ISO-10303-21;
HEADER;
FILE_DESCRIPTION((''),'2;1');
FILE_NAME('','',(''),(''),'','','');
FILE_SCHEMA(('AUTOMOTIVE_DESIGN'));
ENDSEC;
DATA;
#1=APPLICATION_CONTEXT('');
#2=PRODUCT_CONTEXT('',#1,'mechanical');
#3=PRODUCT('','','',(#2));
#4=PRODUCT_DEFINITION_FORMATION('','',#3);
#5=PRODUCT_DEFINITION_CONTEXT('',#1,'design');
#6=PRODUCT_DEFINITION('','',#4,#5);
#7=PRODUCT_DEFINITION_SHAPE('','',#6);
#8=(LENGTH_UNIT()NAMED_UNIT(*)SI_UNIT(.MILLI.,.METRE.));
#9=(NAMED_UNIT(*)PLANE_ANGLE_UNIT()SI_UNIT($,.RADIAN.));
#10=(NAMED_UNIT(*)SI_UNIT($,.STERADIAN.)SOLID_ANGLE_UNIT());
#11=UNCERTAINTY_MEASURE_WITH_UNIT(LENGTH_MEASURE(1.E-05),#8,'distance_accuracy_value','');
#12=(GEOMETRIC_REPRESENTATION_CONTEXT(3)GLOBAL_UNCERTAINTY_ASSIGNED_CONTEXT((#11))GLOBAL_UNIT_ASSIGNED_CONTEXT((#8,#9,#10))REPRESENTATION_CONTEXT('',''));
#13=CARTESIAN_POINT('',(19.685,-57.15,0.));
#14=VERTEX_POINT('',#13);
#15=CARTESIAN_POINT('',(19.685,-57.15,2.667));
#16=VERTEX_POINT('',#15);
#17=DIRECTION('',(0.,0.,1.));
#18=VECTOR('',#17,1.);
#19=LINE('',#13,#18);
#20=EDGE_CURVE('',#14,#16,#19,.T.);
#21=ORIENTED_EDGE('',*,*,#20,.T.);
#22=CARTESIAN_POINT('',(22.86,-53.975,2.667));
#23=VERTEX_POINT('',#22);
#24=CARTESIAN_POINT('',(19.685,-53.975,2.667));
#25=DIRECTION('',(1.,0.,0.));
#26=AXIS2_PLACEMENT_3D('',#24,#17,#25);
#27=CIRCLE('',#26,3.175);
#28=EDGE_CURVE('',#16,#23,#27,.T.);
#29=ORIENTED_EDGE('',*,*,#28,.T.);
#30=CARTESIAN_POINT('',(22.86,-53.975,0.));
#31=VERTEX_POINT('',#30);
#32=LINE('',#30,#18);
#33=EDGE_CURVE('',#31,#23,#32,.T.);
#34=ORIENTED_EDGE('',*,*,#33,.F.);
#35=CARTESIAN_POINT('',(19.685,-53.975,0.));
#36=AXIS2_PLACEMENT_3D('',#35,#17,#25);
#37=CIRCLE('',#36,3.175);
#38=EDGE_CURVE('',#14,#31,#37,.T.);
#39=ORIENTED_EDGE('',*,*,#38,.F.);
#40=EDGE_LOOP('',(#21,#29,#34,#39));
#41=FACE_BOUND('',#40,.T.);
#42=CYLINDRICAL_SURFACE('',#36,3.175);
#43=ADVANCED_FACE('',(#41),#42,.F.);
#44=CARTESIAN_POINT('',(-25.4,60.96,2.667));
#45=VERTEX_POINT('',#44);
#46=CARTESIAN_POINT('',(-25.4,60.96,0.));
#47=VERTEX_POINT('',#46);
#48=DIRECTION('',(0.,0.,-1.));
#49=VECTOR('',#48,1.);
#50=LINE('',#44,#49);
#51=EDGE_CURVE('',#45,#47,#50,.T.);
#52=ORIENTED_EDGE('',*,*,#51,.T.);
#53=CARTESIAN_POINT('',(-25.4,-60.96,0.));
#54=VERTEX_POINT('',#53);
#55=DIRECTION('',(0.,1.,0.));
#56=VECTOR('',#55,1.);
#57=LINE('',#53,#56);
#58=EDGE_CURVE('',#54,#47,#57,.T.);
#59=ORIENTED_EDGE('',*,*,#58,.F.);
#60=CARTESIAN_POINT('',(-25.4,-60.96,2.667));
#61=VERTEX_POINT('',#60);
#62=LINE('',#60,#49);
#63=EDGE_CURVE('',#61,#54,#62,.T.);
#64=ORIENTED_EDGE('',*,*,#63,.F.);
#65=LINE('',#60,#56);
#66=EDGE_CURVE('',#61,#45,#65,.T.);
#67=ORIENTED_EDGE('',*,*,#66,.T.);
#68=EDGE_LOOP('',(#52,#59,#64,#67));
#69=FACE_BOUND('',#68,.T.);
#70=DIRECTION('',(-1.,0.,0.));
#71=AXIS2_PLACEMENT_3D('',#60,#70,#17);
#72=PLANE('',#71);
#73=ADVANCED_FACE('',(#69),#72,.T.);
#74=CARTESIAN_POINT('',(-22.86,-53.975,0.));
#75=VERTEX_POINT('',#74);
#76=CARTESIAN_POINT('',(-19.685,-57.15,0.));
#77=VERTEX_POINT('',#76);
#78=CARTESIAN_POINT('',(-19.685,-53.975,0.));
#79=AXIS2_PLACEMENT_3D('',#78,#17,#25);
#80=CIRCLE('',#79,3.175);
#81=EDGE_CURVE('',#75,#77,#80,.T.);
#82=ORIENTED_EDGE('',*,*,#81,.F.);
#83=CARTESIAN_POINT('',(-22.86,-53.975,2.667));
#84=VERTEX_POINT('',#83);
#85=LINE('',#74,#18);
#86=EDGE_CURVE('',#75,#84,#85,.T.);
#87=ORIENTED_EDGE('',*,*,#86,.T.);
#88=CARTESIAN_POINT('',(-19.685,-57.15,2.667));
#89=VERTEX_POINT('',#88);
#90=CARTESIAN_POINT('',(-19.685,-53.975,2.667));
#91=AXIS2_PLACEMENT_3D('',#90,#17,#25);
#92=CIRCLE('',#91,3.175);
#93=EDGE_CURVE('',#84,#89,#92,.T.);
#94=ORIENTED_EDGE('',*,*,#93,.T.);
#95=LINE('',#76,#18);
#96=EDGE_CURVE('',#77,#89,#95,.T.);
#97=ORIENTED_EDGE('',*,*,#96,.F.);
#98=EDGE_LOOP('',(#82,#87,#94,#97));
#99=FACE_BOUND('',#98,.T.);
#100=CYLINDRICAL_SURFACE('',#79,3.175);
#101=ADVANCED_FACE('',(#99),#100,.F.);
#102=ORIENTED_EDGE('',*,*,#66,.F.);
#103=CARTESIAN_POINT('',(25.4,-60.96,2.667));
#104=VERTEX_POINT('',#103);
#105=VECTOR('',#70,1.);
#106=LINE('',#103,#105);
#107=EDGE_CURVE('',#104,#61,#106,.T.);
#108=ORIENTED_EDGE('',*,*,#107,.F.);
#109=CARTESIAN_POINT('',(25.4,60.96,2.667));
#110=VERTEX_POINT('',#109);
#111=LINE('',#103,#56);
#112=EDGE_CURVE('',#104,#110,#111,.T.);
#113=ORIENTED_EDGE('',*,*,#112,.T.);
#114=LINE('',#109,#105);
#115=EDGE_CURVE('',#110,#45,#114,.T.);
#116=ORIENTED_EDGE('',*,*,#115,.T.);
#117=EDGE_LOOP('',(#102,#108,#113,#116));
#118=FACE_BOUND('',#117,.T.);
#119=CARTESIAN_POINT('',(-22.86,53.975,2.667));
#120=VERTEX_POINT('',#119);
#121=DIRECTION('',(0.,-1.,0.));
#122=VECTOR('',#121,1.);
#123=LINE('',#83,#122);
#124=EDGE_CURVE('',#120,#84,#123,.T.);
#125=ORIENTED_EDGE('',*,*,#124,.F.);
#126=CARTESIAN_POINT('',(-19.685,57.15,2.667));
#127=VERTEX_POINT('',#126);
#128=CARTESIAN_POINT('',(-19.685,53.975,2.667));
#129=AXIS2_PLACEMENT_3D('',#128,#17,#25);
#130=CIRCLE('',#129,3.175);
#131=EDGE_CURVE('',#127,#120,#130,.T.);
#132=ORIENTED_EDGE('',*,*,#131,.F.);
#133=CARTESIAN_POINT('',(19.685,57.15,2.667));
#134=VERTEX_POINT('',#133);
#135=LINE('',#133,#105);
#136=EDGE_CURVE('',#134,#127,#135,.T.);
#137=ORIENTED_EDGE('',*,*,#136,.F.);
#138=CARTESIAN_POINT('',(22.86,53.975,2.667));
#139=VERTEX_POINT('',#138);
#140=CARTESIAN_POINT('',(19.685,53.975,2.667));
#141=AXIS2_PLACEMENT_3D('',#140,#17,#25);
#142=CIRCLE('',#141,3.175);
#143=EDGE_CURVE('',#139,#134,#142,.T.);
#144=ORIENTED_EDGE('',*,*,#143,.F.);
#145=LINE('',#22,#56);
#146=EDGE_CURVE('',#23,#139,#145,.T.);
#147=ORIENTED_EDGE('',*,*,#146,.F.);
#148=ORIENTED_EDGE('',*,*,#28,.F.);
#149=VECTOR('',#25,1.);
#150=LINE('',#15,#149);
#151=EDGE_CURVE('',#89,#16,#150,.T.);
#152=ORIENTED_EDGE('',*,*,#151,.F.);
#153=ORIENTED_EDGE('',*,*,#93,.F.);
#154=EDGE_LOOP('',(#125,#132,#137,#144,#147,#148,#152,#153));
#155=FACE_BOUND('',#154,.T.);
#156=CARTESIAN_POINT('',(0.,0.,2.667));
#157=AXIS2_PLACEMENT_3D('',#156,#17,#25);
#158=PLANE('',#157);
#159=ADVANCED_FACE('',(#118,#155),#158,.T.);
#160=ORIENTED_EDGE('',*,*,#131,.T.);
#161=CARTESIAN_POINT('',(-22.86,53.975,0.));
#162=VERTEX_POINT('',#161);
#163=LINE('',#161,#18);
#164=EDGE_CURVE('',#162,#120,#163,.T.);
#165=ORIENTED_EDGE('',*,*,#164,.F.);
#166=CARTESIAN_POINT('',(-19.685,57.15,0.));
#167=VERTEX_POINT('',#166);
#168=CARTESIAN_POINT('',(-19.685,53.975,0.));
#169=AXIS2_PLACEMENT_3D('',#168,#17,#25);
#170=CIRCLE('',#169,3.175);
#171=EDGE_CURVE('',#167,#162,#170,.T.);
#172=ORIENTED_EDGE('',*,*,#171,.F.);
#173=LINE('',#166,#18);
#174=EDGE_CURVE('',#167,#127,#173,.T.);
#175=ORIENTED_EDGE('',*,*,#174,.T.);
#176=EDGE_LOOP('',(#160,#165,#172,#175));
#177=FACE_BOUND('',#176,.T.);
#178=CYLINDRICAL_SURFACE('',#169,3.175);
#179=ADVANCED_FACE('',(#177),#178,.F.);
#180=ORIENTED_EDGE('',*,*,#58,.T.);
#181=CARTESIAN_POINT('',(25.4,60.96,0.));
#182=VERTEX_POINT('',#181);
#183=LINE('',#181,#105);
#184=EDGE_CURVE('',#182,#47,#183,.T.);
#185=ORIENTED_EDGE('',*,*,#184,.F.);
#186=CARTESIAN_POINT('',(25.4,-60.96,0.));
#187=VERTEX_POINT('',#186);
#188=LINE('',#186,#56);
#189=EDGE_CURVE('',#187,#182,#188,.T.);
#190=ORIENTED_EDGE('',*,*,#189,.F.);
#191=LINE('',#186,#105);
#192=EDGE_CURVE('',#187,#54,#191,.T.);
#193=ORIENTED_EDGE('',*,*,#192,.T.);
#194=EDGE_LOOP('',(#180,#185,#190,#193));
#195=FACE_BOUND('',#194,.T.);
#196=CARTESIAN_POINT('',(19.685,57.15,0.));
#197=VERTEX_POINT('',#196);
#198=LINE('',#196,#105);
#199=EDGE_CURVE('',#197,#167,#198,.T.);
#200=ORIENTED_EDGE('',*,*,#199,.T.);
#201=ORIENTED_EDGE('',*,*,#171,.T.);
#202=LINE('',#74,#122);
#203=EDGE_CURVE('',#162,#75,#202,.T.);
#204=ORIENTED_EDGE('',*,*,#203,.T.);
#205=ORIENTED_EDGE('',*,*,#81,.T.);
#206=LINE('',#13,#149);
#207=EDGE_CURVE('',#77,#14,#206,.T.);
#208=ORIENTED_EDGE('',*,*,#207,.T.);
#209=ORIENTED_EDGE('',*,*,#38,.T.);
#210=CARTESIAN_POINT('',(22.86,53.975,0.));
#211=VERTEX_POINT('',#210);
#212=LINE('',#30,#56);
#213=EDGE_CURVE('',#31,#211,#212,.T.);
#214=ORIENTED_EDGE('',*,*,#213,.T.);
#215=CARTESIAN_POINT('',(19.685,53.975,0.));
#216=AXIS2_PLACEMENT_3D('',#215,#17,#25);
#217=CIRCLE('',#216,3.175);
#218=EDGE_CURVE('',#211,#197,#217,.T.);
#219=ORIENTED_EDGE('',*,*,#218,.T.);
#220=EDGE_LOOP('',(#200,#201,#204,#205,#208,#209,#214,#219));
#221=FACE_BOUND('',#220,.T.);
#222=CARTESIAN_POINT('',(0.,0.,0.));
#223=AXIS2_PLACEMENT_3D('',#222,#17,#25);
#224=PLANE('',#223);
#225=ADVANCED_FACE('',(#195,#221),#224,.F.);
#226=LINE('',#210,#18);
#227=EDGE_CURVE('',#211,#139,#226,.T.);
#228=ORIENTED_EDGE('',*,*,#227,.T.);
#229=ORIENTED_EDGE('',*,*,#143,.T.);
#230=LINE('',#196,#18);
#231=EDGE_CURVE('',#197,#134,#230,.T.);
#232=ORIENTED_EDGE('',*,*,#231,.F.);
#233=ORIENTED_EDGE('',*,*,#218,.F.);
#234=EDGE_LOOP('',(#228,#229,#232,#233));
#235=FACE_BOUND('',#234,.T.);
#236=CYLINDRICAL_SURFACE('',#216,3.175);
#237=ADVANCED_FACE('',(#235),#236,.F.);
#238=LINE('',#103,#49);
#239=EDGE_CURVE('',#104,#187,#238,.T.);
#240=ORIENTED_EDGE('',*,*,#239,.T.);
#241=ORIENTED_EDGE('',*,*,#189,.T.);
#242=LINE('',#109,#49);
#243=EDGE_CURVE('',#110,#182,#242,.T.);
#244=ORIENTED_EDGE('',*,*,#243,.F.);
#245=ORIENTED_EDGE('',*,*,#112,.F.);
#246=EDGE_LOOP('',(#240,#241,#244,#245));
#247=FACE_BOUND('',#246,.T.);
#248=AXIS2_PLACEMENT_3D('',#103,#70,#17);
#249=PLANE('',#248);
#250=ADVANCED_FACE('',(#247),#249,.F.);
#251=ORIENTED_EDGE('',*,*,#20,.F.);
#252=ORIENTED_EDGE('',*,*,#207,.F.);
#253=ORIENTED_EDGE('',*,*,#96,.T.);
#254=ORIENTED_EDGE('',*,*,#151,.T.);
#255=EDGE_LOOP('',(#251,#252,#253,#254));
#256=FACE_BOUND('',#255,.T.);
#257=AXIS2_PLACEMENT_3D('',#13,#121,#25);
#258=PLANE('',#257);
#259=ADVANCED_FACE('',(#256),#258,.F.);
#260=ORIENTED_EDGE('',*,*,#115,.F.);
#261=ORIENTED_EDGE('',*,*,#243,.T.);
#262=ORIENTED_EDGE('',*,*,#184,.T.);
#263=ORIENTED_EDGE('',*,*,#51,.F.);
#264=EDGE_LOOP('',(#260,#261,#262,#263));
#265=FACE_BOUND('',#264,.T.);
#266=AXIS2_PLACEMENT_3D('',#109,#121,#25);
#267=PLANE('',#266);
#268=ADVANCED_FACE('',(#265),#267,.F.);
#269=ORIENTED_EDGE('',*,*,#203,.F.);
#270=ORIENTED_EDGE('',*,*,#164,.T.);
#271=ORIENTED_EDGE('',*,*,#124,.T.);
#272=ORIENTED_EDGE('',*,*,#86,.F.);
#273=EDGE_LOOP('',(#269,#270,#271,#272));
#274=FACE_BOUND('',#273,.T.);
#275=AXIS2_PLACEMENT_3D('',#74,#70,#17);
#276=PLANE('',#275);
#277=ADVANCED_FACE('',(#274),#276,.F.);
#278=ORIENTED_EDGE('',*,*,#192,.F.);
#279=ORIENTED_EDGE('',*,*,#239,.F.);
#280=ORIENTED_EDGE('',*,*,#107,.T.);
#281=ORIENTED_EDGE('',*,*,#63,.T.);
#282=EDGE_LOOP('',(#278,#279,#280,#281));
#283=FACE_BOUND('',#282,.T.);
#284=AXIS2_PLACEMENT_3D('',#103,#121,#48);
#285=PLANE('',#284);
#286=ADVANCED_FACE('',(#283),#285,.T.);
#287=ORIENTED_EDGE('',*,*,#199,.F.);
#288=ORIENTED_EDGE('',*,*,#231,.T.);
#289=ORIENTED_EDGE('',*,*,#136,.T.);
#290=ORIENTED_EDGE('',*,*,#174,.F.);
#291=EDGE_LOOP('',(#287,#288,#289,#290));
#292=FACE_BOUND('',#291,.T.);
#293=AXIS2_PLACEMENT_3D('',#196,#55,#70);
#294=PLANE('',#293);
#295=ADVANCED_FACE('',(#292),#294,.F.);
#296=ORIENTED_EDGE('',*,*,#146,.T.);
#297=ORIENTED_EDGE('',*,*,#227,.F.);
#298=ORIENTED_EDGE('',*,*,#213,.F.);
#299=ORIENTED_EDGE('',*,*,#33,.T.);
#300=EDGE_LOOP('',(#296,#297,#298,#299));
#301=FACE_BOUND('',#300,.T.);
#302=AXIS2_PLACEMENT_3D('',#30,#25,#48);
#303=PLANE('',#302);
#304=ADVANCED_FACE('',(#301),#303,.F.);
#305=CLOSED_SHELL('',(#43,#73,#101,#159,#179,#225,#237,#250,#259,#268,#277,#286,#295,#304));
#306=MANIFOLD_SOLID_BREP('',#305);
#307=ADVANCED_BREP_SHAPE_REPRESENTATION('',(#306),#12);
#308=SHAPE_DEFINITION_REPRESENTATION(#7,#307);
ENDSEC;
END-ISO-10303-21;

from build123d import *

# Parameters (mm, degrees)
SKETCH1_W           = 50.8
SKETCH1_H           = 121.92
BOSS_EXTRUDE1_DEPTH = 2.667
CUT_EXTRUDE1_DEPTH  = 67.093830945


with BuildPart() as part:
    # Sketch1 → Boss-Extrude1 (new body)
    with BuildSketch(Plane.XY):
        Rectangle(SKETCH1_W, SKETCH1_H)
    extrude(amount=BOSS_EXTRUDE1_DEPTH)

    # Sketch2 → Cut-Extrude1 (cut, through all)
    with BuildSketch(Plane.XY.offset(2.667)):
        with BuildLine():
            Line((19.685, -57.15), (-19.685, -57.15))
            ThreePointArc((-19.685, -57.15), (-21.93006403, -56.22006403), (-22.86, -53.975))
            Line((-22.86, -53.975), (-22.86, 53.975))
            ThreePointArc((-22.86, 53.975), (-21.93006403, 56.22006403), (-19.685, 57.15))
            Line((-19.685, 57.15), (19.685, 57.15))
            ThreePointArc((19.685, 57.15), (21.93006403, 56.22006403), (22.86, 53.975))
            Line((22.86, 53.975), (22.86, -53.975))
            ThreePointArc((22.86, -53.975), (21.93006403, -56.22006403), (19.685, -57.15))
        make_face()
    extrude(amount=-CUT_EXTRUDE1_DEPTH, mode=Mode.SUBTRACT)


solid = part.part
